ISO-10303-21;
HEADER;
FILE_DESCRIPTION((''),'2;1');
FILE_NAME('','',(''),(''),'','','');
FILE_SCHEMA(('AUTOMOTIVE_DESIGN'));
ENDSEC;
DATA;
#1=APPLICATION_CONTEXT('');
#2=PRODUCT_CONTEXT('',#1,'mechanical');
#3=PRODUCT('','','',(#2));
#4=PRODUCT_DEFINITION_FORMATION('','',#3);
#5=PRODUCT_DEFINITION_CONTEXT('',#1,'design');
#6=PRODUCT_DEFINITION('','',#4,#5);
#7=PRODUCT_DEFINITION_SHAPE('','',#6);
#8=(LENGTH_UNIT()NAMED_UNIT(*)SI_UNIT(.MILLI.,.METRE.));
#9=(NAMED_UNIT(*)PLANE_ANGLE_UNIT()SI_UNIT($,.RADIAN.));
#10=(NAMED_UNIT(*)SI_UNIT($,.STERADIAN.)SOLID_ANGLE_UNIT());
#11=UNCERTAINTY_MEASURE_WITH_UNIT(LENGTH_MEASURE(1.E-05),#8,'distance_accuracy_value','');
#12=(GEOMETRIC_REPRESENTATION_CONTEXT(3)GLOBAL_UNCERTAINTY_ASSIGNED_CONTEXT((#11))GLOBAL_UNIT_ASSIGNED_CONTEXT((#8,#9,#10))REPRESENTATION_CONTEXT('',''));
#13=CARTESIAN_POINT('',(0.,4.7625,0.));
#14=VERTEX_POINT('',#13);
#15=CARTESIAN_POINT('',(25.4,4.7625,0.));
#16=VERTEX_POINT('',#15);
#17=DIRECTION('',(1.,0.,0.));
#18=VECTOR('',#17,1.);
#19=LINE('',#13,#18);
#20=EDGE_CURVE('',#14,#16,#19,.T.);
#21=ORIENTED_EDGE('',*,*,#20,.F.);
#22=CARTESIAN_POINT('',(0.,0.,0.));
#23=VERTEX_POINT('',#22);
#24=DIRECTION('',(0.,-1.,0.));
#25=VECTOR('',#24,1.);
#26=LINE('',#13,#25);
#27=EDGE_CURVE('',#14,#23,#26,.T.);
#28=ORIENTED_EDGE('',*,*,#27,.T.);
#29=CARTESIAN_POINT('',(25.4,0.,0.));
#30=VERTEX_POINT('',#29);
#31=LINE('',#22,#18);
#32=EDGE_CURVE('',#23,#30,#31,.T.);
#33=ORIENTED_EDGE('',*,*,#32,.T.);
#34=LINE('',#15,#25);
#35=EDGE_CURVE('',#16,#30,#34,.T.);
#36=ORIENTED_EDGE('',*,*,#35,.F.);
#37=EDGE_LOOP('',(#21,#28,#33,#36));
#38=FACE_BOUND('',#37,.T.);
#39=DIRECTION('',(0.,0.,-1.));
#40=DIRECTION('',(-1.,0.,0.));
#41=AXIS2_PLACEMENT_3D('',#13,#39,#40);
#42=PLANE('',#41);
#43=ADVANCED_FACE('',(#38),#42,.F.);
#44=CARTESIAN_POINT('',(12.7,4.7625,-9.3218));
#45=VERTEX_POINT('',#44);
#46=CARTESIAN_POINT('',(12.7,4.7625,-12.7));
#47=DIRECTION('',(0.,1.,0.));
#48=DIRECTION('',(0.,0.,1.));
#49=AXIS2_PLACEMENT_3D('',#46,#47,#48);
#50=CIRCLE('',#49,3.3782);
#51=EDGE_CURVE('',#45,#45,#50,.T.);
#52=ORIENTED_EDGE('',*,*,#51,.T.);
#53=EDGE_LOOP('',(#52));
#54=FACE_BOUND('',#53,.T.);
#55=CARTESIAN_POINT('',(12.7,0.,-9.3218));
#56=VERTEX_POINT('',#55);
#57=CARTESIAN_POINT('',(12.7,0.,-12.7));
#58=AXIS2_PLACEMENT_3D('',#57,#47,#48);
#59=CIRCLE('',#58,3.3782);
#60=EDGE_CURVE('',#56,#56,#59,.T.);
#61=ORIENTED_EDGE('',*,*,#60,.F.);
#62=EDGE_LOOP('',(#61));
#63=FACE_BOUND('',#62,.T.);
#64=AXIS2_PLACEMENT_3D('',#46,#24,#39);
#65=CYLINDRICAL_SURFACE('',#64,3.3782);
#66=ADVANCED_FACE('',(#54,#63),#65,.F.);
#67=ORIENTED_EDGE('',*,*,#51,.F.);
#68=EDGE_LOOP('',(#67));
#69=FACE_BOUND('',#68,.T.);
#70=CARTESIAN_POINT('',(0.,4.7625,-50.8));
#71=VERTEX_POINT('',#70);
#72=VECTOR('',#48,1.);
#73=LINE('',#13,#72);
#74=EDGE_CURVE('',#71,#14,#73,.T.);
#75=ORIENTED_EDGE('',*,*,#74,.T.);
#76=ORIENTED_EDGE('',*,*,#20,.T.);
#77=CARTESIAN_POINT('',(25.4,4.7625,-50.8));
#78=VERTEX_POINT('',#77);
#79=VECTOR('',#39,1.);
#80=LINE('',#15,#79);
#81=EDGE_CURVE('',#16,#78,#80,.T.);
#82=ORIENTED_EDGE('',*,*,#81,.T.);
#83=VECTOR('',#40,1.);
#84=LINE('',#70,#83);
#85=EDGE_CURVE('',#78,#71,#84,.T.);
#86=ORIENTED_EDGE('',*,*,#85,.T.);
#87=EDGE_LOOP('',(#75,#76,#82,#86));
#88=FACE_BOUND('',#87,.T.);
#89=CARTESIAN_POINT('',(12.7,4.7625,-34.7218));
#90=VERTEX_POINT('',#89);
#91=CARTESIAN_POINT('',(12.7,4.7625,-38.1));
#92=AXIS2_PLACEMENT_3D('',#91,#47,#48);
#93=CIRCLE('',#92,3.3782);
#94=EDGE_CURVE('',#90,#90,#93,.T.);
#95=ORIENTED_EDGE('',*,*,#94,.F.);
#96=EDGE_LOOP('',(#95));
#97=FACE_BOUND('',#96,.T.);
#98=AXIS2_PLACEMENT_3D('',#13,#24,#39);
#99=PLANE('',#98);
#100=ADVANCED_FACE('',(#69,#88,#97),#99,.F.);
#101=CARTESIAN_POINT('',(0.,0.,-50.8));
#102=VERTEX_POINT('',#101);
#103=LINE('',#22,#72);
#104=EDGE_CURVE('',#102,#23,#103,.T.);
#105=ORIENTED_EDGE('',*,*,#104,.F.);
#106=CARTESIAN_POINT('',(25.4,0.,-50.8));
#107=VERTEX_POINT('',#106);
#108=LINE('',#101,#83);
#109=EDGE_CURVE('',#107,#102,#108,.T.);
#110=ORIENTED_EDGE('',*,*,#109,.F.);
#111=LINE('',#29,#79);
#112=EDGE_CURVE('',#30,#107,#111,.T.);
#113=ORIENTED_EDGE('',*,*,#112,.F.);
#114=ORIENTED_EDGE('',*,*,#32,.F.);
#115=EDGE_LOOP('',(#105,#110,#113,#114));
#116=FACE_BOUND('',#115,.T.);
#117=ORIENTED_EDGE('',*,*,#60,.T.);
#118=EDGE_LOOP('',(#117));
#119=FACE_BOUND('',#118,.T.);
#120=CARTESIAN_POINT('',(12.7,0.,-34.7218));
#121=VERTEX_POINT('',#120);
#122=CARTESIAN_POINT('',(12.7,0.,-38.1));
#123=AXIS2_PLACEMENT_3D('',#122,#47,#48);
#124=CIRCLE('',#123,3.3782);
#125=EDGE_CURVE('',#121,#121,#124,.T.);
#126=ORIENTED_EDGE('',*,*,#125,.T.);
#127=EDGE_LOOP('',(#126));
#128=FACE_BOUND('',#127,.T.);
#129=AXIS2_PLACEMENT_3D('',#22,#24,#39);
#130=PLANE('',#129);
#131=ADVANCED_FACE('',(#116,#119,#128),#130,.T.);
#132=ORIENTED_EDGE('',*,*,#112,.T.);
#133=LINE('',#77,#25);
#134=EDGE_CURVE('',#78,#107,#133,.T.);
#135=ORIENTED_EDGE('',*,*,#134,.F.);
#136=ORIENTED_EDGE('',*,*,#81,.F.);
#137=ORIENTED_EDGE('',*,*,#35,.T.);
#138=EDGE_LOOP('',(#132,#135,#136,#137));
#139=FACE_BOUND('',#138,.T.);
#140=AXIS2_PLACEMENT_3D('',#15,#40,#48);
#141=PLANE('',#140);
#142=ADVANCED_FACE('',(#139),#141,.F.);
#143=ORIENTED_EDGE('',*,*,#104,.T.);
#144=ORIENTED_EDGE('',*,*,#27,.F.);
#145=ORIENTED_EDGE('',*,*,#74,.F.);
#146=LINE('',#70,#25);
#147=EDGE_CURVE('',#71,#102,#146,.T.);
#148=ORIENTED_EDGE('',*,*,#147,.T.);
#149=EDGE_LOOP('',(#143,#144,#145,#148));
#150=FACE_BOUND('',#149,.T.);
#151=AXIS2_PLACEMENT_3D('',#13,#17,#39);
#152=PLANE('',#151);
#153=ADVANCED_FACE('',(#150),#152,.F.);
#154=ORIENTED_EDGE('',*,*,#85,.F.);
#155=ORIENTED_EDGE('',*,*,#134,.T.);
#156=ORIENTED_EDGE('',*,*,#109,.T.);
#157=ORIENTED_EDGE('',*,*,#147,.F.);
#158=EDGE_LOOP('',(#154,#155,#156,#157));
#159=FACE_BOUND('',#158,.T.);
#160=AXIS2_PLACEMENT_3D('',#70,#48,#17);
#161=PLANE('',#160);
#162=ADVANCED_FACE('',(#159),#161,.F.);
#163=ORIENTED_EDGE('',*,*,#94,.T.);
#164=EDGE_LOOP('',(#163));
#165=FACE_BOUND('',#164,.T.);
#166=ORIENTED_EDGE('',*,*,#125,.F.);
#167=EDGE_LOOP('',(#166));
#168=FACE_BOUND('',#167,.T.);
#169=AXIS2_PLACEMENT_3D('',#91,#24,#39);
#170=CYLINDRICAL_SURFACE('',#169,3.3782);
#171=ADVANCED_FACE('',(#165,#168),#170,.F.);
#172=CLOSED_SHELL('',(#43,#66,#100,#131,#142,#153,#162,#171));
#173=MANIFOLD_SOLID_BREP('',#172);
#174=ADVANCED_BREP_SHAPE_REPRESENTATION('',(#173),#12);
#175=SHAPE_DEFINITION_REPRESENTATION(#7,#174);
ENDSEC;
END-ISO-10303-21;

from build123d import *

# Parameters (mm, degrees)
SKETCH1_W           = 25.4
SKETCH1_H           = 50.8
SKETCH1_R           = 3.3782
BOSS_EXTRUDE1_DEPTH = 4.7625


with BuildPart() as part:
    # Sketch1 → Boss-Extrude1 (new body)
    with BuildSketch(Plane(origin=(0, 0, 0), x_dir=(1, 0, 0), z_dir=(0, 1, 0))):
        with Locations((12.7, 25.4)):
            Rectangle(SKETCH1_W, SKETCH1_H)
        with Locations((12.7, 38.1)):
            Circle(SKETCH1_R, mode=Mode.SUBTRACT)
        with Locations((12.7, 12.7)):
            Circle(SKETCH1_R, mode=Mode.SUBTRACT)
    extrude(amount=BOSS_EXTRUDE1_DEPTH)


solid = part.part
